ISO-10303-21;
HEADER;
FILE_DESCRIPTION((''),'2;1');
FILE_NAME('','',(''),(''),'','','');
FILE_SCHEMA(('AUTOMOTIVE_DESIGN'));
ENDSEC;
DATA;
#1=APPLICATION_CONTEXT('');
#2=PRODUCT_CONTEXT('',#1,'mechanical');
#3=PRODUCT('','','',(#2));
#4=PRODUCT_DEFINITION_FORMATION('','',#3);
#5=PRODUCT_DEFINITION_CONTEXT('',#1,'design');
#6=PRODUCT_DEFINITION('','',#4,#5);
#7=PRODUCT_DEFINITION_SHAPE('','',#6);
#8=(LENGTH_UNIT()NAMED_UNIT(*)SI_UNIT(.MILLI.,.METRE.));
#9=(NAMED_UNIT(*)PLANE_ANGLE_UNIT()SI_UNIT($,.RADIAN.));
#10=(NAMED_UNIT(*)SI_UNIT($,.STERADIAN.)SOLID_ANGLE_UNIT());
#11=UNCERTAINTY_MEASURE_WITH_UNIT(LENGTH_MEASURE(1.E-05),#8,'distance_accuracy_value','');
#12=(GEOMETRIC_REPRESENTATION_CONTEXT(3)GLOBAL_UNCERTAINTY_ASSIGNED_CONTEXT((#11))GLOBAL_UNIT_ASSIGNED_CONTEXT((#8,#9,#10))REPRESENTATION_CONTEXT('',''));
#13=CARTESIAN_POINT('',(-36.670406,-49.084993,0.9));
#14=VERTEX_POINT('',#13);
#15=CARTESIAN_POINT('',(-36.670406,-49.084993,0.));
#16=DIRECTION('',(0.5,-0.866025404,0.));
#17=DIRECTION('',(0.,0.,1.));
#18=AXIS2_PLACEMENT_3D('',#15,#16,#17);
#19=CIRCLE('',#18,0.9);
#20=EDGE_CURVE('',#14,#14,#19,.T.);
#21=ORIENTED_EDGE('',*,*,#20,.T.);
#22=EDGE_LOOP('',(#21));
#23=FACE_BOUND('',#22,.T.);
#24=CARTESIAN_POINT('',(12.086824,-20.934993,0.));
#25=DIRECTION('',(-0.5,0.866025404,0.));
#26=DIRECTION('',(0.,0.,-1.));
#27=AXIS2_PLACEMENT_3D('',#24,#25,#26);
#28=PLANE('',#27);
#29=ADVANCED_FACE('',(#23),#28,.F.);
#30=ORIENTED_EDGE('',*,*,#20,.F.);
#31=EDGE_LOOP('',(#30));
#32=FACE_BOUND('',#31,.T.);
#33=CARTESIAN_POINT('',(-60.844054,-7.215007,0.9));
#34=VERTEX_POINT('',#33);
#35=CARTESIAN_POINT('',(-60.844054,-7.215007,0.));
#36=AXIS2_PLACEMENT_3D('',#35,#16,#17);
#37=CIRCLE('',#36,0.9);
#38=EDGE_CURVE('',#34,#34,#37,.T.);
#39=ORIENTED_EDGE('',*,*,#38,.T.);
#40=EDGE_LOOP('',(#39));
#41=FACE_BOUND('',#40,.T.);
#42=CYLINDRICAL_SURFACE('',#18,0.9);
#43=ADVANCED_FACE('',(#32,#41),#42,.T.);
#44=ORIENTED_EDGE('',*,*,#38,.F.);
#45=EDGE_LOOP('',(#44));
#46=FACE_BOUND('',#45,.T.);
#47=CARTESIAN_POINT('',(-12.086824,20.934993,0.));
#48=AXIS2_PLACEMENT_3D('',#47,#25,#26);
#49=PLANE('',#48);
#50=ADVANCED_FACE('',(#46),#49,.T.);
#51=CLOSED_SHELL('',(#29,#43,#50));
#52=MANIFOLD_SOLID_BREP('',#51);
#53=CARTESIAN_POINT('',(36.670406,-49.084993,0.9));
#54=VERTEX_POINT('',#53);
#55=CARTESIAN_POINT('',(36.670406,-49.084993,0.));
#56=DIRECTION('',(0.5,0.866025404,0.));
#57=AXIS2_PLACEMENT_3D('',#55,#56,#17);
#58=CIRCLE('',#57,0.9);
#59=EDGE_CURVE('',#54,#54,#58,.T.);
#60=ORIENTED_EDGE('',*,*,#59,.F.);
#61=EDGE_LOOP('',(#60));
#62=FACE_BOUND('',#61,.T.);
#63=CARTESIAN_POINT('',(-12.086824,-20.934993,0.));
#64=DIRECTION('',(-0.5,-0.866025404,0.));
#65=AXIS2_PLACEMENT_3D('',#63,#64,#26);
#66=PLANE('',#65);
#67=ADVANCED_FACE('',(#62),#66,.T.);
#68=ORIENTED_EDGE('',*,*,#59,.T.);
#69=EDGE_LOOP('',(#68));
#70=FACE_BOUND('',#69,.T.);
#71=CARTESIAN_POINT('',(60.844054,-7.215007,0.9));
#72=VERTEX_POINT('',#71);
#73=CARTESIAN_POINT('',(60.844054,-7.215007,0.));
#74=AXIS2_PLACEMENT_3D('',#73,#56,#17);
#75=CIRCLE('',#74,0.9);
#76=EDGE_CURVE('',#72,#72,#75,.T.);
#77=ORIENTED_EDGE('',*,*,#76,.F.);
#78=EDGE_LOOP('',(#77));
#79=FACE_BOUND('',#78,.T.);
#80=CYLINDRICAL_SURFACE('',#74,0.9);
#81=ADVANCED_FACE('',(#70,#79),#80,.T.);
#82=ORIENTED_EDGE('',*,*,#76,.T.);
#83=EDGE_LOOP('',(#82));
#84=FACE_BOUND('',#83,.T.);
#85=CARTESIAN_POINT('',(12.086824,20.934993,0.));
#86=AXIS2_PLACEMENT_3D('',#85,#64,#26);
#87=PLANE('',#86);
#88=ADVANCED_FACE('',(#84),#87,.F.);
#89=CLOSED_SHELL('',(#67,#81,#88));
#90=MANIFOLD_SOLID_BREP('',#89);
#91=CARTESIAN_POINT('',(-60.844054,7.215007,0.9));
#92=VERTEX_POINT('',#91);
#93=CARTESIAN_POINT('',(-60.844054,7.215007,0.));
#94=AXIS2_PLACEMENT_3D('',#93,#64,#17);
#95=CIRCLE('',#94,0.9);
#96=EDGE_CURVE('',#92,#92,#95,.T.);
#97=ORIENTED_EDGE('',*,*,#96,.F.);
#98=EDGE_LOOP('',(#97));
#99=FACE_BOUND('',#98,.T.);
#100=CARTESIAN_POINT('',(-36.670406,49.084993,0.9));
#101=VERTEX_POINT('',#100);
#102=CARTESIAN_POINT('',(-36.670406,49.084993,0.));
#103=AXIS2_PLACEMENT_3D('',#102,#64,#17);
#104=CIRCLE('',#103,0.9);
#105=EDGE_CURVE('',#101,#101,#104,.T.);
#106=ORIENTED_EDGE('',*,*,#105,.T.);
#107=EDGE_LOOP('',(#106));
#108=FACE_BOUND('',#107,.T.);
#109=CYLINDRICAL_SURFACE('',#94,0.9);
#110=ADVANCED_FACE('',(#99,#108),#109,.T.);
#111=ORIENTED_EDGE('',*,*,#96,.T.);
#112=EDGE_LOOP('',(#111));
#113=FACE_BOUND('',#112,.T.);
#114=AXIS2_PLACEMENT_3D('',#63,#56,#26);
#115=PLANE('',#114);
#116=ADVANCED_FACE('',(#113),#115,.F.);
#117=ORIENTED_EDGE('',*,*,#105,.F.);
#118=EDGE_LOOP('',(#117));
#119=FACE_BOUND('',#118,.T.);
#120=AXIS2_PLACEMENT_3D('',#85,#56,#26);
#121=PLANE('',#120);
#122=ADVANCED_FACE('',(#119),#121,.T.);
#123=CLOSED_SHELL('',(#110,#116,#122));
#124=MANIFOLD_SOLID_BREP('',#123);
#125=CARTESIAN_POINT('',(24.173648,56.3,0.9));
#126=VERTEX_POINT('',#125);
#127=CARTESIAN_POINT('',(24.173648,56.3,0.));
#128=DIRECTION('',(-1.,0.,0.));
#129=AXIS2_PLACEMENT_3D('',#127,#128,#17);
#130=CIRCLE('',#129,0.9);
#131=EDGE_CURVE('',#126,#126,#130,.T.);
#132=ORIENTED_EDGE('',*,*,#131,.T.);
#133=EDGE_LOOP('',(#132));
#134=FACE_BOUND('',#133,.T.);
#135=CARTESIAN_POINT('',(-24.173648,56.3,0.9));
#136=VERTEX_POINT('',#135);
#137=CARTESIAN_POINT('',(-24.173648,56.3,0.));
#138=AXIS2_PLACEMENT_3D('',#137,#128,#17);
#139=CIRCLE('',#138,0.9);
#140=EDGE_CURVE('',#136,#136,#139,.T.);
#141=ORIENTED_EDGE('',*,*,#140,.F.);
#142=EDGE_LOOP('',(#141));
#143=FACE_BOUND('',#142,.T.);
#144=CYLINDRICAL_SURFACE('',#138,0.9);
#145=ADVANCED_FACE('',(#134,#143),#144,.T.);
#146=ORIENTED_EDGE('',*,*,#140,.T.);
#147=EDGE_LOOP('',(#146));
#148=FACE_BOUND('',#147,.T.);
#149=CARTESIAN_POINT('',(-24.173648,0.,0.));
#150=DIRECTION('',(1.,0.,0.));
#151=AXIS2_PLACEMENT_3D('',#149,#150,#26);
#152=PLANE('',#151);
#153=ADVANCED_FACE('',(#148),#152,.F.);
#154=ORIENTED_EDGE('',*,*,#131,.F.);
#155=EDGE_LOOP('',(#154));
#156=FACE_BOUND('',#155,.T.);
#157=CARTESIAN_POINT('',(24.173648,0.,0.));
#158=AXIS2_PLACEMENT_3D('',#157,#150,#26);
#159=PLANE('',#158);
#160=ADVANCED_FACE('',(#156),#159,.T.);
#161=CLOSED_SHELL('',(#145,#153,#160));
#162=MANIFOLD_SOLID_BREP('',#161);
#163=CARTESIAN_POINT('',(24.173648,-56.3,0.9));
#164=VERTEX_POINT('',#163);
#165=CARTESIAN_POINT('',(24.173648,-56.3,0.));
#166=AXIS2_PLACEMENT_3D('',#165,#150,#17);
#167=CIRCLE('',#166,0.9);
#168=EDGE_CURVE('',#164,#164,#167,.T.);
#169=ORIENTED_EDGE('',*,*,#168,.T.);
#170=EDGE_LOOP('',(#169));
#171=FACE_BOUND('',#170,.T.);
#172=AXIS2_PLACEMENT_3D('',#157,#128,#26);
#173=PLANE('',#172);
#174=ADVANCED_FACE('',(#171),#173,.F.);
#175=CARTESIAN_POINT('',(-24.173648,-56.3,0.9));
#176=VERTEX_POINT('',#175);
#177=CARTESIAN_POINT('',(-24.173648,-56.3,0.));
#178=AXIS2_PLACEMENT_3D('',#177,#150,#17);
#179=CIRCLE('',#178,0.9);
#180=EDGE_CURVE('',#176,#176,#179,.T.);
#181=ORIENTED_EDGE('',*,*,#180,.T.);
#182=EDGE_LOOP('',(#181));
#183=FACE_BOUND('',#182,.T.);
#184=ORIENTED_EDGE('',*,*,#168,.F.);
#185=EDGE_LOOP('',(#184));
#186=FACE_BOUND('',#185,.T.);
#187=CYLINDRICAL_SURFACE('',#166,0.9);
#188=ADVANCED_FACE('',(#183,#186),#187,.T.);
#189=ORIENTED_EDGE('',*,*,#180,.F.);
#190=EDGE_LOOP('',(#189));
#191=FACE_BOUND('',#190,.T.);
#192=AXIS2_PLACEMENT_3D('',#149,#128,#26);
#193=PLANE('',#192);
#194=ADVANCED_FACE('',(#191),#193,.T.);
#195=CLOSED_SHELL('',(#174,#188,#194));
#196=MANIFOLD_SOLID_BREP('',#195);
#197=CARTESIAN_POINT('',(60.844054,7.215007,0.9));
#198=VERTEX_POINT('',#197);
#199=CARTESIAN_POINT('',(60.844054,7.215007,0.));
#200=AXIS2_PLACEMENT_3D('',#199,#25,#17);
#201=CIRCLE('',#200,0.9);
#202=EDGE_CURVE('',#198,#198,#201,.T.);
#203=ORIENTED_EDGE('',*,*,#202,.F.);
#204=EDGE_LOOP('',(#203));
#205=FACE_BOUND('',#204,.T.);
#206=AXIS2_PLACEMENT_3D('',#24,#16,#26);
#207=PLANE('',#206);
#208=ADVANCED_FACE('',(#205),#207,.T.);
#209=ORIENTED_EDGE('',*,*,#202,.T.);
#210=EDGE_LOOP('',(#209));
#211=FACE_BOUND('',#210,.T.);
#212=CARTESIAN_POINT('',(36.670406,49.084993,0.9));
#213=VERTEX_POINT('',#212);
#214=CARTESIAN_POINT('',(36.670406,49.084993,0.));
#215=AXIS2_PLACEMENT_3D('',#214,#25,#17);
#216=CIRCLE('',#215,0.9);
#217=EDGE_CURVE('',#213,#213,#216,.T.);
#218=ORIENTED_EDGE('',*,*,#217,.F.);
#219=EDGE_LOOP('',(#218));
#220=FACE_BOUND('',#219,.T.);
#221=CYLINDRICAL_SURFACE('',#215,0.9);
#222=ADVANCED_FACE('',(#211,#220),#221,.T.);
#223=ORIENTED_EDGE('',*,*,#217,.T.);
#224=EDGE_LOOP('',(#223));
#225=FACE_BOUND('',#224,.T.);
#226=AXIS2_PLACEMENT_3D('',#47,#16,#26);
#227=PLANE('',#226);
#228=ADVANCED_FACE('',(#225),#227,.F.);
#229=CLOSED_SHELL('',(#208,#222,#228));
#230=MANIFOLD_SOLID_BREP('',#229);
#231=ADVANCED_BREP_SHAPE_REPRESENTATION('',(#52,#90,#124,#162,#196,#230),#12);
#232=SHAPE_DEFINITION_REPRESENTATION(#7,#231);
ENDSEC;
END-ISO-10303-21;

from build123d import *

# Parameters (mm, degrees)
MASTER_SKETCH_W   = 48.347295252
MASTER_SKETCH_H   = 0.9
CIRPATTERN1_COUNT = 6


with BuildPart() as part:
    # Master Sketch → Revolve1 (revolve)
    with BuildSketch(Plane.XY):
        with Locations((0, 56.75)):
            Rectangle(MASTER_SKETCH_W, MASTER_SKETCH_H)
    revolve(axis=Axis((-24.173647626, 56.3, 0), (1, 0, 0)))


with BuildPart() as cirpattern1_1:
    # CirPattern1: pattern copy
    add(part.part.rotate(Axis((0, 0, 0), (0, 0, 1)), 1 * 360 / CIRPATTERN1_COUNT))


with BuildPart() as cirpattern1_2:
    # CirPattern1: pattern copy
    add(part.part.rotate(Axis((0, 0, 0), (0, 0, 1)), 2 * 360 / CIRPATTERN1_COUNT))


with BuildPart() as cirpattern1_3:
    # CirPattern1: pattern copy
    add(part.part.rotate(Axis((0, 0, 0), (0, 0, 1)), 3 * 360 / CIRPATTERN1_COUNT))


with BuildPart() as cirpattern1_4:
    # CirPattern1: pattern copy
    add(part.part.rotate(Axis((0, 0, 0), (0, 0, 1)), 4 * 360 / CIRPATTERN1_COUNT))


with BuildPart() as cirpattern1_5:
    # CirPattern1: pattern copy
    add(part.part.rotate(Axis((0, 0, 0), (0, 0, 1)), 5 * 360 / CIRPATTERN1_COUNT))


solid = Compound([part.part, cirpattern1_1.part, cirpattern1_2.part, cirpattern1_3.part, cirpattern1_4.part, cirpattern1_5.part])
